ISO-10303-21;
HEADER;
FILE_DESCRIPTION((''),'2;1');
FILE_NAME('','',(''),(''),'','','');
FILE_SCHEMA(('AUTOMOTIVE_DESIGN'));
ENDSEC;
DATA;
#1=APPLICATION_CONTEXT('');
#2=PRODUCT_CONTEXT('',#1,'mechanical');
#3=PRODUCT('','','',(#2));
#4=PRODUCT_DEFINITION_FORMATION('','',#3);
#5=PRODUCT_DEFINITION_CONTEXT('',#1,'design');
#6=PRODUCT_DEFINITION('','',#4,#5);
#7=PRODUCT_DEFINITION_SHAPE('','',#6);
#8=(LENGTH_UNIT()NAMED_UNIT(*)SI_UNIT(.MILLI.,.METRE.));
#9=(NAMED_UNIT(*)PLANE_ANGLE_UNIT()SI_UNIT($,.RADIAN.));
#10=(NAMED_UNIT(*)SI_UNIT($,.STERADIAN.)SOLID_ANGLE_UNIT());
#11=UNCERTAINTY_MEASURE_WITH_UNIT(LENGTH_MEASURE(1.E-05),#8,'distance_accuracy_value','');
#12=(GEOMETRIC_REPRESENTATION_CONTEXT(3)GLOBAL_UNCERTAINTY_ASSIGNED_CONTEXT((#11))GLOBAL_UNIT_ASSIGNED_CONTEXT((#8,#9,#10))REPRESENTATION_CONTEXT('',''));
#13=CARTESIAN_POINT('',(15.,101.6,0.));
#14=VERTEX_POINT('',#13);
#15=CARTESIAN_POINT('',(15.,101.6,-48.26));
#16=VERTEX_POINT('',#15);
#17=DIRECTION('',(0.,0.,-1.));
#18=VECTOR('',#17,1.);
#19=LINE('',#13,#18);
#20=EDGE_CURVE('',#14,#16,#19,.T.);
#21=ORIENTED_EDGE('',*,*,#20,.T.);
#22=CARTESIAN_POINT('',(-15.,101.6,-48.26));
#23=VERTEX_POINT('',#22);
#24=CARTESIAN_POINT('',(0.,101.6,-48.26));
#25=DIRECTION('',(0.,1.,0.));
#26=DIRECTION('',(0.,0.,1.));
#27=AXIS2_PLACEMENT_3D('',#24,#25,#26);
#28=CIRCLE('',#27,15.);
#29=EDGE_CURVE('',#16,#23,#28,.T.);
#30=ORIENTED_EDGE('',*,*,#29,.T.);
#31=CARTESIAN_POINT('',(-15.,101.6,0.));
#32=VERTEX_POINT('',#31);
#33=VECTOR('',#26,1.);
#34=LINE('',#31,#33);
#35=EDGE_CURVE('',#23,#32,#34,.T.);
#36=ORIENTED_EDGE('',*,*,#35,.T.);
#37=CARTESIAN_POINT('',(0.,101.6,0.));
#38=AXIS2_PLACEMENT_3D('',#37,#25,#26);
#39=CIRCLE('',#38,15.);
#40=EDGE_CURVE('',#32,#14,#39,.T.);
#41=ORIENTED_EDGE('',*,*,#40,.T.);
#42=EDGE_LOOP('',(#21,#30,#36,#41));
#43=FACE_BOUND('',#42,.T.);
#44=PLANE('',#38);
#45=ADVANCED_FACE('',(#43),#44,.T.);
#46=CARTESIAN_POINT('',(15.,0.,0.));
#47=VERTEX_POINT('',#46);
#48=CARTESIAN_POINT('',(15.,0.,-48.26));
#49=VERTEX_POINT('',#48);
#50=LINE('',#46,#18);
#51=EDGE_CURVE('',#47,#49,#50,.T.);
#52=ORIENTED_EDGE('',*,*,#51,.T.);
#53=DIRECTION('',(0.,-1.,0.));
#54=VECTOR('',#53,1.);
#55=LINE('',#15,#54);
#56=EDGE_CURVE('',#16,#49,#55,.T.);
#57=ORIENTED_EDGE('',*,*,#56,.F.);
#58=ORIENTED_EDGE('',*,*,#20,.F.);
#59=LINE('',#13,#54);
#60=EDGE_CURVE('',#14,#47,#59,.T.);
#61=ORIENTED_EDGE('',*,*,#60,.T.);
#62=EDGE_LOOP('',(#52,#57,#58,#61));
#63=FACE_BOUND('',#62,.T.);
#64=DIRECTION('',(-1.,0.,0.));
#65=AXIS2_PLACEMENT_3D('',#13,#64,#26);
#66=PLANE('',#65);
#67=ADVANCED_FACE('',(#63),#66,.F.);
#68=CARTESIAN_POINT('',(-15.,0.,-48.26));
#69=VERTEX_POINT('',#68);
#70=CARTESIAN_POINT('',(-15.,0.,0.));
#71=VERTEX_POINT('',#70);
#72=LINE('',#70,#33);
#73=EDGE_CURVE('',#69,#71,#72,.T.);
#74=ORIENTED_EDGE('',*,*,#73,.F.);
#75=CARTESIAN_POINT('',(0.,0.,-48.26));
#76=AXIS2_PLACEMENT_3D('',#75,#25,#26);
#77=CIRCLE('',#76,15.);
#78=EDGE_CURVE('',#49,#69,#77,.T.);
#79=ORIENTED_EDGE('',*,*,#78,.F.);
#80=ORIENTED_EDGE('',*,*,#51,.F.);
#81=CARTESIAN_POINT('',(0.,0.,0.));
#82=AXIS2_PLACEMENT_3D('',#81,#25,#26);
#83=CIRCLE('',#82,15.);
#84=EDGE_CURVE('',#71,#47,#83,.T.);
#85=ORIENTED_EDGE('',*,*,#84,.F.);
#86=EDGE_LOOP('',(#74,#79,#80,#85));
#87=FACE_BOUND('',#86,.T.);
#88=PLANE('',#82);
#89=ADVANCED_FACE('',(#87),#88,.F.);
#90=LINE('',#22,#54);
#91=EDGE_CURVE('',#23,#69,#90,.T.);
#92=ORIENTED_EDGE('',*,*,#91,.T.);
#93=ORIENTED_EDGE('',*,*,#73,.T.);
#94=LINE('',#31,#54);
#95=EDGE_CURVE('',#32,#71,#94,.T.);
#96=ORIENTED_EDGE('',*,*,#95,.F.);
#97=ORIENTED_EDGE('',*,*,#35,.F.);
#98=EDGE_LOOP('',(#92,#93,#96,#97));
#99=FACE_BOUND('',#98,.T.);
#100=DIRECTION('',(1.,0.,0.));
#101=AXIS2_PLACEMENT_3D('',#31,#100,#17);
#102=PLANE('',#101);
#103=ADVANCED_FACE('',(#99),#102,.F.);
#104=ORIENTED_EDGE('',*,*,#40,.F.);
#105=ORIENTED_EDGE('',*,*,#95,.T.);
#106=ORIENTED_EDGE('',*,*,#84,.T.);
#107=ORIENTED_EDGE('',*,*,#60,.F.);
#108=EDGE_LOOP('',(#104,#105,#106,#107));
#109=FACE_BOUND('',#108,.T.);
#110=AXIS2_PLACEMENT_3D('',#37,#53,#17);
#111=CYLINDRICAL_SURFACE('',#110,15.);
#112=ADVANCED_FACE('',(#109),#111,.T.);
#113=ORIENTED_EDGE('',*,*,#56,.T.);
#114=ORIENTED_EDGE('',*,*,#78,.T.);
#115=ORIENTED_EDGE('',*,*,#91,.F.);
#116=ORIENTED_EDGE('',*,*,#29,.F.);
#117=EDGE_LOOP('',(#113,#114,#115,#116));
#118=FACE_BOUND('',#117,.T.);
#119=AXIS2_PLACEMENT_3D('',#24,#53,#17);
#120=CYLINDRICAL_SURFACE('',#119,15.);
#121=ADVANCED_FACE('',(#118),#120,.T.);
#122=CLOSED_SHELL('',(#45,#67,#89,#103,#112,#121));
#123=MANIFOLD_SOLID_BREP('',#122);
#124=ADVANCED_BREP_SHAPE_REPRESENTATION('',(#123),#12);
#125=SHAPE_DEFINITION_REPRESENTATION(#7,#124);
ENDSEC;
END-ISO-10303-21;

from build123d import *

# Parameters (mm, degrees)
BOSS_EXTRUDE1_DEPTH = 101.6


with BuildPart() as part:
    # Sketch1 → Boss-Extrude1 (new body)
    with BuildSketch(Plane(origin=(0, 0, 0), x_dir=(1, 0, 0), z_dir=(0, 1, 0))):
        with BuildLine():
            Line((-15, 0), (-15, 48.26))
            ThreePointArc((-15, 48.26), (0, 63.26), (15, 48.26))
            Line((15, 48.26), (15, 0))
            ThreePointArc((15, 0), (0, -15), (-15, 0))
        make_face()
    extrude(amount=BOSS_EXTRUDE1_DEPTH)


solid = part.part
